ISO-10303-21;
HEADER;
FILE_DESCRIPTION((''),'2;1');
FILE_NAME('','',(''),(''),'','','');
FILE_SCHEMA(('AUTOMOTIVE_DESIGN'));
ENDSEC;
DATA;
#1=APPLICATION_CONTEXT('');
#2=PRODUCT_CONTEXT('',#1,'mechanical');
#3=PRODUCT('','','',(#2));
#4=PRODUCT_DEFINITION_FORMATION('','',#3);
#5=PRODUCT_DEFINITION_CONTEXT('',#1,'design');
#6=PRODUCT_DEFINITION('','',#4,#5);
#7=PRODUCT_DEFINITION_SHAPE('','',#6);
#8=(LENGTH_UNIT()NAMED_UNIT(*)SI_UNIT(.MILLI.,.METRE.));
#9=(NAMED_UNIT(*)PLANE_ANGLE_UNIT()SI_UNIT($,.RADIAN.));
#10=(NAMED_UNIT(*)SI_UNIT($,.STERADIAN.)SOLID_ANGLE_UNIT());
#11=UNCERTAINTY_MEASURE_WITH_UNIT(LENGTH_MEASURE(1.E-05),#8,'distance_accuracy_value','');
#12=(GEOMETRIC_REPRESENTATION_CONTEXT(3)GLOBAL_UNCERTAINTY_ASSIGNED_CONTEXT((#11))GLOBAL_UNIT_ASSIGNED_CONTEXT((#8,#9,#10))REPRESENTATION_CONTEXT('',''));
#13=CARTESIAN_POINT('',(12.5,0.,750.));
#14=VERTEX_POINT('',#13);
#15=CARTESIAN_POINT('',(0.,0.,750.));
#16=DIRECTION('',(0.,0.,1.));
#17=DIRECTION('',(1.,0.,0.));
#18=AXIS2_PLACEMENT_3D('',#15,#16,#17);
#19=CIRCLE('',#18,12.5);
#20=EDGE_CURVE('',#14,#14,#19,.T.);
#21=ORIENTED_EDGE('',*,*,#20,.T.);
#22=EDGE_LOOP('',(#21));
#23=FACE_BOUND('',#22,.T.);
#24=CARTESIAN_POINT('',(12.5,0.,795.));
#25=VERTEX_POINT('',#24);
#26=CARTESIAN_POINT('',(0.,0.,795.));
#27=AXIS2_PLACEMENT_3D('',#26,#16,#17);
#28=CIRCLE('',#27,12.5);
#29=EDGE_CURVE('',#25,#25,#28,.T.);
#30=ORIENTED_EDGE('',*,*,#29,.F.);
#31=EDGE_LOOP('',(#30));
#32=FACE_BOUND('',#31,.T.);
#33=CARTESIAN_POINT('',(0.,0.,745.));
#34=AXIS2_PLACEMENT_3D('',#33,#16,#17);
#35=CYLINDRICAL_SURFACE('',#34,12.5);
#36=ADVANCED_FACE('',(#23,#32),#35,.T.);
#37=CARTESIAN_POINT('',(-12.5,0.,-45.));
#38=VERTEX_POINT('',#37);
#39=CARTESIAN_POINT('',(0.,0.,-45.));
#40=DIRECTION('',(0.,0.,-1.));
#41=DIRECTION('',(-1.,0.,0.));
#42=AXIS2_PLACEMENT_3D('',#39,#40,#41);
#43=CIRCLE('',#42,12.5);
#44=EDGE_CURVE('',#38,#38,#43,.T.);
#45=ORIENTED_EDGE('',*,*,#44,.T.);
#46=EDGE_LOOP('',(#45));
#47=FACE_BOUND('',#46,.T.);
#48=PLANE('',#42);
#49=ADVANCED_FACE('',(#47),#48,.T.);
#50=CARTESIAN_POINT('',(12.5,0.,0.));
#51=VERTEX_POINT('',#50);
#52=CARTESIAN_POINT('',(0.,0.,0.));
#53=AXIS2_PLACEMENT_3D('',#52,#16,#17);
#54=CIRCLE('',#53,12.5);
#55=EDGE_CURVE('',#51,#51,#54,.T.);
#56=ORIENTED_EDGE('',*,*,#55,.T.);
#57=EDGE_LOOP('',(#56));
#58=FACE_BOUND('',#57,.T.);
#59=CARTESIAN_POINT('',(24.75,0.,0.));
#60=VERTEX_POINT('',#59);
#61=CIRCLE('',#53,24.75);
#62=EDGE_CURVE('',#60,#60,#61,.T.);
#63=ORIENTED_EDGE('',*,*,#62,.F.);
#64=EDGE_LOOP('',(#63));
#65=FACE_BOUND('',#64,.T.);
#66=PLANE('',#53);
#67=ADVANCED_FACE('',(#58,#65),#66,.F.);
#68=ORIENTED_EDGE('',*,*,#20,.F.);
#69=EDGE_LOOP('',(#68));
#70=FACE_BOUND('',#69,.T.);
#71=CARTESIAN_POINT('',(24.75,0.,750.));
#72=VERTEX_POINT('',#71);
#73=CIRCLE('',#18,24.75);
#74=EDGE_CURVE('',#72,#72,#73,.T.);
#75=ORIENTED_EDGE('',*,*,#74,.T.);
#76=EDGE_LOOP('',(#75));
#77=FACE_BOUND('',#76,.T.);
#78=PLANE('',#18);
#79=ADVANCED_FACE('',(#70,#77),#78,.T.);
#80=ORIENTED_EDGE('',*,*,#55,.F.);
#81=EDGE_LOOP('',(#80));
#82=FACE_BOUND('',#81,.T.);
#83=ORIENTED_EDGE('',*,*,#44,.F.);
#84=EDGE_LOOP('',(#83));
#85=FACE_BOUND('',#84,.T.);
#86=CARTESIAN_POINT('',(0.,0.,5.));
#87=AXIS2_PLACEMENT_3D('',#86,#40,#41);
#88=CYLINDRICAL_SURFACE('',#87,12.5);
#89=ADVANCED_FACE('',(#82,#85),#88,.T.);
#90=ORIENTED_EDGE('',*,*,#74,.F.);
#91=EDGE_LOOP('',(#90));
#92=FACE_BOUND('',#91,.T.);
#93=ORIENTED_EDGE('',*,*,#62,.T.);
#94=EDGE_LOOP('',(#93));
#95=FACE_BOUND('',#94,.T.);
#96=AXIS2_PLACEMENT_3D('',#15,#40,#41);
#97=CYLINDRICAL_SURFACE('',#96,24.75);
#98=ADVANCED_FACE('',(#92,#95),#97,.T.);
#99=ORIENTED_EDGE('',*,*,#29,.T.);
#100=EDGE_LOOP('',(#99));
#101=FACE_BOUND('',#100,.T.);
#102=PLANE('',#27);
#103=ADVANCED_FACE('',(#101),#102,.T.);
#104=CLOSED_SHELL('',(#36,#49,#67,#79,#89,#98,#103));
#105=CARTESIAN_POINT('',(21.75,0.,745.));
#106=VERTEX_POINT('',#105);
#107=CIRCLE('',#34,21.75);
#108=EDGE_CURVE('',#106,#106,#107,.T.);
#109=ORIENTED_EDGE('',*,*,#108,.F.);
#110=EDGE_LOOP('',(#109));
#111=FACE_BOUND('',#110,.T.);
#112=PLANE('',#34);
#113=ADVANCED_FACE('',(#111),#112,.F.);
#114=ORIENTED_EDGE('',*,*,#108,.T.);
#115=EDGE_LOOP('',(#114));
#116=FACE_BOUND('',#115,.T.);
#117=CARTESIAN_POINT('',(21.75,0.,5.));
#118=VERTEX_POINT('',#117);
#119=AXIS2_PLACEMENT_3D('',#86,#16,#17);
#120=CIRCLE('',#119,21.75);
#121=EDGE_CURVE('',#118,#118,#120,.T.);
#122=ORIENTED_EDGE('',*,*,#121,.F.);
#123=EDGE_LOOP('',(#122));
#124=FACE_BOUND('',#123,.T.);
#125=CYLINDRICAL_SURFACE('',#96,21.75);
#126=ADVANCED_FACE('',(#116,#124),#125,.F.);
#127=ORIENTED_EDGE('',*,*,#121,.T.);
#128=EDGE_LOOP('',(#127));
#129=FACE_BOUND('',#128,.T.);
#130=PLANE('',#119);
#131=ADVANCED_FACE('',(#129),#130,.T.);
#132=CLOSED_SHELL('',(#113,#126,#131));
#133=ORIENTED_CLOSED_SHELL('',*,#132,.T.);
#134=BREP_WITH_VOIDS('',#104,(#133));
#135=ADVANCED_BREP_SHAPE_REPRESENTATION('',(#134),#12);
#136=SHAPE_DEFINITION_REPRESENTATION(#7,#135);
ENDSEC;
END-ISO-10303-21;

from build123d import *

# Parameters (mm, degrees)
SKETCH1_R                = 24.75
SKETCH1_R_2              = 21.75
BOSS_EXTRUDE1_DEPTH      = 750
SKETCH2_R                = 21.75
SKETCH2_R_2              = 12.5
BOSS_EXTRUDE2_DEPTH      = 5
SKETCH3_R                = 21.75
SKETCH3_R_2              = 12.5
BOSS_EXTRUDE3_DEPTH      = 5
SKETCH4_R                = 12.5
BOSS_EXTRUDE4_DEPTH      = 45
BOSS_EXTRUDE4_DEPTH_BACK = 5
SKETCH5_R                = 12.5
BOSS_EXTRUDE5_DEPTH      = 45
BOSS_EXTRUDE5_DEPTH_BACK = 5


with BuildPart() as part:
    # Sketch1 → Boss-Extrude1 (new body)
    with BuildSketch(Plane.XY):
        Circle(SKETCH1_R)
        Circle(SKETCH1_R_2, mode=Mode.SUBTRACT)
    extrude(amount=BOSS_EXTRUDE1_DEPTH)

    # Sketch2 → Boss-Extrude2 (add)
    with BuildSketch(Plane.XY):
        Circle(SKETCH2_R)
        Circle(SKETCH2_R_2, mode=Mode.SUBTRACT)
    extrude(amount=BOSS_EXTRUDE2_DEPTH)

    # Sketch3 → Boss-Extrude3 (add)
    with BuildSketch(Plane.XY.offset(750)):
        Circle(SKETCH3_R)
        Circle(SKETCH3_R_2, mode=Mode.SUBTRACT)
    extrude(amount=-BOSS_EXTRUDE3_DEPTH)

    # Sketch4 → Boss-Extrude4 (add, two sides)
    with BuildSketch(Plane.XY.offset(750)) as boss_extrude4_sk:
        Circle(SKETCH4_R)
    extrude(amount=BOSS_EXTRUDE4_DEPTH)
    extrude(boss_extrude4_sk.sketch, amount=-BOSS_EXTRUDE4_DEPTH_BACK)

    # Sketch5 → Boss-Extrude5 (add, two sides)
    with BuildSketch(Plane(origin=(0, 0, 0), x_dir=(-1, 0, 0), z_dir=(0, 0, -1))) as boss_extrude5_sk:
        Circle(SKETCH5_R)
    extrude(amount=BOSS_EXTRUDE5_DEPTH)
    extrude(boss_extrude5_sk.sketch, amount=-BOSS_EXTRUDE5_DEPTH_BACK)


solid = part.part
